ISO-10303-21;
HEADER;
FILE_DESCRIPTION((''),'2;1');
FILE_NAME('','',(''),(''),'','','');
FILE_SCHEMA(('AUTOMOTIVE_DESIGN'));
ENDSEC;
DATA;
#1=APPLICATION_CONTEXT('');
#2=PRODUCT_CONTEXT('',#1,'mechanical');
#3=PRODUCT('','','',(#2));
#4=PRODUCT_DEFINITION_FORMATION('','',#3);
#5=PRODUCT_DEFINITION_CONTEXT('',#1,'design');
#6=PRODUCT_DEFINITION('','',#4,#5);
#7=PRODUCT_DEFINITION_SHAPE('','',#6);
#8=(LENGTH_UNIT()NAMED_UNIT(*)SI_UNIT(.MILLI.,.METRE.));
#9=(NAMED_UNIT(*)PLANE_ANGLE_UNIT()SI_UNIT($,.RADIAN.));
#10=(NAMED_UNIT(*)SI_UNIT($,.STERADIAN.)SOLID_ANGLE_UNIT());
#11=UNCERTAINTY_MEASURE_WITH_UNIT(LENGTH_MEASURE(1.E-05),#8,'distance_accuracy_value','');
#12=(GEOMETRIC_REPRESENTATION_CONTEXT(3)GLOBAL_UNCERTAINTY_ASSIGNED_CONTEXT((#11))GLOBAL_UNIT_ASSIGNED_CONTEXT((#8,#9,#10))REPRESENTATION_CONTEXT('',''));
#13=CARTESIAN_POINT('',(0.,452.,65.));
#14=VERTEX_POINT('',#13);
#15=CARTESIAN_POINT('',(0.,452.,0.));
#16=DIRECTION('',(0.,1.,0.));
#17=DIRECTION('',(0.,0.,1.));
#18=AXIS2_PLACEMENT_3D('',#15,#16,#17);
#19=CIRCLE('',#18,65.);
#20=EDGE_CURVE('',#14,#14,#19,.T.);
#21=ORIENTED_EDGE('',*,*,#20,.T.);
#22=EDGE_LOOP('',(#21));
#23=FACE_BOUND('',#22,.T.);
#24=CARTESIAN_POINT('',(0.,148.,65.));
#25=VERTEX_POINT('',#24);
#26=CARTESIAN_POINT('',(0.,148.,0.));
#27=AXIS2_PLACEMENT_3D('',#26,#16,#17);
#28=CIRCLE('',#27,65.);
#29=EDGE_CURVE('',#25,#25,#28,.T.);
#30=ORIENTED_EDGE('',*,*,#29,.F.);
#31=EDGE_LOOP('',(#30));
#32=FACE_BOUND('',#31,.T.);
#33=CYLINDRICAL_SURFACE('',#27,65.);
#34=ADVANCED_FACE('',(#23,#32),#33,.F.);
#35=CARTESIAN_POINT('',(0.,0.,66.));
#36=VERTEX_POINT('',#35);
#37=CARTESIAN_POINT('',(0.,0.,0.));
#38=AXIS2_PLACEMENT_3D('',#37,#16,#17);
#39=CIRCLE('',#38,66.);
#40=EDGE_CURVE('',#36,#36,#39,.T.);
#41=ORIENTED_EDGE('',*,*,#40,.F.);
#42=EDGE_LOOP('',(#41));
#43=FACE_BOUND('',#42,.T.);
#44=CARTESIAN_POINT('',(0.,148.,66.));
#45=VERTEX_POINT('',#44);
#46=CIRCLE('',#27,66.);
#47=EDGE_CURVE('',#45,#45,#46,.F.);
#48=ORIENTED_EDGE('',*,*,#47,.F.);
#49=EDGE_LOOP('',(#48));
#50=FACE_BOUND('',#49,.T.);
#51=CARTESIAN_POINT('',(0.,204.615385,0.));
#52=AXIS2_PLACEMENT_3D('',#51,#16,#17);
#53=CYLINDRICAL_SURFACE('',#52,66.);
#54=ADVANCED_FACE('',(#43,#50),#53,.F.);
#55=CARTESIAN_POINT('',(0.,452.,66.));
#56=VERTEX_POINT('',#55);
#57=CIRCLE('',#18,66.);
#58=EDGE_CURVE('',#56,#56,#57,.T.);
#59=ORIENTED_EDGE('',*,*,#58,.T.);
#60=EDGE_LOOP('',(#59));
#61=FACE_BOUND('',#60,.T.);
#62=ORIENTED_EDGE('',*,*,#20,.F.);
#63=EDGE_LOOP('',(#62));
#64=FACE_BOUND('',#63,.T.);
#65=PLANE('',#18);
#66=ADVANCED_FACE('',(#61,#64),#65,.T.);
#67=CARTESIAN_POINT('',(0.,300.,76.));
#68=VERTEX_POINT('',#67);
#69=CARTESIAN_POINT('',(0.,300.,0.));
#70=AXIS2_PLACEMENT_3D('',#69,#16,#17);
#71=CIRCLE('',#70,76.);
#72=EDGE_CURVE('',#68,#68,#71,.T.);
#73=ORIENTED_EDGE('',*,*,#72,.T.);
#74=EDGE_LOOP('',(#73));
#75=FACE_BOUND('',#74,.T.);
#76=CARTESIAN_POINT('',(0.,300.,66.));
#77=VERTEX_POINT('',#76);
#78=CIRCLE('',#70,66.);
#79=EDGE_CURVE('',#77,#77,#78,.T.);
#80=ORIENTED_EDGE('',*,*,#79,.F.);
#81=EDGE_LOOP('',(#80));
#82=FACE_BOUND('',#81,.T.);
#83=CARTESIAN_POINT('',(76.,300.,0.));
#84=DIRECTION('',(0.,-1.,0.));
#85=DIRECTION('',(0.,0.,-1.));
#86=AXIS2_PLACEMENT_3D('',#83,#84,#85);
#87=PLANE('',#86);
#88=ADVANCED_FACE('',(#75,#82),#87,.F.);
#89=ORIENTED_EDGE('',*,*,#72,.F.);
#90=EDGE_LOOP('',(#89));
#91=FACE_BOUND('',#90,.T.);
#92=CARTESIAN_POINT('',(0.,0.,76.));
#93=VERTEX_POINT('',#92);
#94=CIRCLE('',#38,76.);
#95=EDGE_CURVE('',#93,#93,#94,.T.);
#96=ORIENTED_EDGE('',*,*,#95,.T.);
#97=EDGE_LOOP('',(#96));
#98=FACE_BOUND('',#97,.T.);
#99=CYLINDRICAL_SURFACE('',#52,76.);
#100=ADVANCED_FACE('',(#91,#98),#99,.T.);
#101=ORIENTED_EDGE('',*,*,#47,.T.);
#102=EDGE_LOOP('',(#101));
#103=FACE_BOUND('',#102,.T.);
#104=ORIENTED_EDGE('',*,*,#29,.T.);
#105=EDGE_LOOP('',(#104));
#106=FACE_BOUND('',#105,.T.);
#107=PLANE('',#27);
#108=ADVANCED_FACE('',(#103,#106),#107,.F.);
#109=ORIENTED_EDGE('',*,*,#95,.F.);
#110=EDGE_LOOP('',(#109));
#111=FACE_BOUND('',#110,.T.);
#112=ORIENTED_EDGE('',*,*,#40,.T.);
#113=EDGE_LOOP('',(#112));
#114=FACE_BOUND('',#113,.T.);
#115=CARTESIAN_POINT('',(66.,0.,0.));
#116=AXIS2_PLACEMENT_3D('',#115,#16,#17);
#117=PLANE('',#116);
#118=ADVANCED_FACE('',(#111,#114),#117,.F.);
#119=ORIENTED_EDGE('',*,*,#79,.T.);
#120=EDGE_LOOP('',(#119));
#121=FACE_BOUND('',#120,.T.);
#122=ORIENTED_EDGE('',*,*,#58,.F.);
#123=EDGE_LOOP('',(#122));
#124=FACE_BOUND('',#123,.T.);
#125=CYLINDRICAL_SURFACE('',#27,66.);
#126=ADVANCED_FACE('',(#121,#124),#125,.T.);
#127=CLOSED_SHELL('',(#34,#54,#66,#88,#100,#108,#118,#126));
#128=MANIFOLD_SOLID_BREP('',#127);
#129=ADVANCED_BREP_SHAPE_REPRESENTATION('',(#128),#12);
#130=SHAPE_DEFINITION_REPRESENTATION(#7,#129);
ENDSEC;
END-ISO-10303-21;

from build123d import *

# Parameters (mm, degrees)
SKETCH1_W                = 10
SKETCH1_H                = 300
BOSS_EXTRUDE1_DEPTH      = 152
BOSS_EXTRUDE1_DEPTH_BACK = 152
SKETCH3_R                = 66
SKETCH3_R_2              = 65


with BuildPart() as part:
    # Sketch1 → Revolve1 (revolve)
    with BuildSketch(Plane.XY, mode=Mode.PRIVATE) as revolve1_sk:
        with Locations((71, 150)):
            Rectangle(SKETCH1_W, SKETCH1_H)
    revolve(revolve1_sk.sketch.rotate(Axis((0, 204.615384615, 0), (0, -1, 0)), 90), axis=Axis((0, 204.615384615, 0), (0, -1, 0)))

    # Sketch3 → Boss-Extrude1 (add, two sides: drawn at the far end of the back side and taken through both)
    with BuildSketch(Plane(origin=(0, 300, 0), x_dir=(1, 0, 0), z_dir=(0, 1, 0)).offset(-BOSS_EXTRUDE1_DEPTH_BACK)):
        with Locations(Location((0, 0, 0), (0, 0, 270))):
            Circle(SKETCH3_R)
        with Locations(Location((0, 0, 0), (0, 0, 270))):
            Circle(SKETCH3_R_2, mode=Mode.SUBTRACT)
    extrude(amount=BOSS_EXTRUDE1_DEPTH + BOSS_EXTRUDE1_DEPTH_BACK)


solid = part.part
